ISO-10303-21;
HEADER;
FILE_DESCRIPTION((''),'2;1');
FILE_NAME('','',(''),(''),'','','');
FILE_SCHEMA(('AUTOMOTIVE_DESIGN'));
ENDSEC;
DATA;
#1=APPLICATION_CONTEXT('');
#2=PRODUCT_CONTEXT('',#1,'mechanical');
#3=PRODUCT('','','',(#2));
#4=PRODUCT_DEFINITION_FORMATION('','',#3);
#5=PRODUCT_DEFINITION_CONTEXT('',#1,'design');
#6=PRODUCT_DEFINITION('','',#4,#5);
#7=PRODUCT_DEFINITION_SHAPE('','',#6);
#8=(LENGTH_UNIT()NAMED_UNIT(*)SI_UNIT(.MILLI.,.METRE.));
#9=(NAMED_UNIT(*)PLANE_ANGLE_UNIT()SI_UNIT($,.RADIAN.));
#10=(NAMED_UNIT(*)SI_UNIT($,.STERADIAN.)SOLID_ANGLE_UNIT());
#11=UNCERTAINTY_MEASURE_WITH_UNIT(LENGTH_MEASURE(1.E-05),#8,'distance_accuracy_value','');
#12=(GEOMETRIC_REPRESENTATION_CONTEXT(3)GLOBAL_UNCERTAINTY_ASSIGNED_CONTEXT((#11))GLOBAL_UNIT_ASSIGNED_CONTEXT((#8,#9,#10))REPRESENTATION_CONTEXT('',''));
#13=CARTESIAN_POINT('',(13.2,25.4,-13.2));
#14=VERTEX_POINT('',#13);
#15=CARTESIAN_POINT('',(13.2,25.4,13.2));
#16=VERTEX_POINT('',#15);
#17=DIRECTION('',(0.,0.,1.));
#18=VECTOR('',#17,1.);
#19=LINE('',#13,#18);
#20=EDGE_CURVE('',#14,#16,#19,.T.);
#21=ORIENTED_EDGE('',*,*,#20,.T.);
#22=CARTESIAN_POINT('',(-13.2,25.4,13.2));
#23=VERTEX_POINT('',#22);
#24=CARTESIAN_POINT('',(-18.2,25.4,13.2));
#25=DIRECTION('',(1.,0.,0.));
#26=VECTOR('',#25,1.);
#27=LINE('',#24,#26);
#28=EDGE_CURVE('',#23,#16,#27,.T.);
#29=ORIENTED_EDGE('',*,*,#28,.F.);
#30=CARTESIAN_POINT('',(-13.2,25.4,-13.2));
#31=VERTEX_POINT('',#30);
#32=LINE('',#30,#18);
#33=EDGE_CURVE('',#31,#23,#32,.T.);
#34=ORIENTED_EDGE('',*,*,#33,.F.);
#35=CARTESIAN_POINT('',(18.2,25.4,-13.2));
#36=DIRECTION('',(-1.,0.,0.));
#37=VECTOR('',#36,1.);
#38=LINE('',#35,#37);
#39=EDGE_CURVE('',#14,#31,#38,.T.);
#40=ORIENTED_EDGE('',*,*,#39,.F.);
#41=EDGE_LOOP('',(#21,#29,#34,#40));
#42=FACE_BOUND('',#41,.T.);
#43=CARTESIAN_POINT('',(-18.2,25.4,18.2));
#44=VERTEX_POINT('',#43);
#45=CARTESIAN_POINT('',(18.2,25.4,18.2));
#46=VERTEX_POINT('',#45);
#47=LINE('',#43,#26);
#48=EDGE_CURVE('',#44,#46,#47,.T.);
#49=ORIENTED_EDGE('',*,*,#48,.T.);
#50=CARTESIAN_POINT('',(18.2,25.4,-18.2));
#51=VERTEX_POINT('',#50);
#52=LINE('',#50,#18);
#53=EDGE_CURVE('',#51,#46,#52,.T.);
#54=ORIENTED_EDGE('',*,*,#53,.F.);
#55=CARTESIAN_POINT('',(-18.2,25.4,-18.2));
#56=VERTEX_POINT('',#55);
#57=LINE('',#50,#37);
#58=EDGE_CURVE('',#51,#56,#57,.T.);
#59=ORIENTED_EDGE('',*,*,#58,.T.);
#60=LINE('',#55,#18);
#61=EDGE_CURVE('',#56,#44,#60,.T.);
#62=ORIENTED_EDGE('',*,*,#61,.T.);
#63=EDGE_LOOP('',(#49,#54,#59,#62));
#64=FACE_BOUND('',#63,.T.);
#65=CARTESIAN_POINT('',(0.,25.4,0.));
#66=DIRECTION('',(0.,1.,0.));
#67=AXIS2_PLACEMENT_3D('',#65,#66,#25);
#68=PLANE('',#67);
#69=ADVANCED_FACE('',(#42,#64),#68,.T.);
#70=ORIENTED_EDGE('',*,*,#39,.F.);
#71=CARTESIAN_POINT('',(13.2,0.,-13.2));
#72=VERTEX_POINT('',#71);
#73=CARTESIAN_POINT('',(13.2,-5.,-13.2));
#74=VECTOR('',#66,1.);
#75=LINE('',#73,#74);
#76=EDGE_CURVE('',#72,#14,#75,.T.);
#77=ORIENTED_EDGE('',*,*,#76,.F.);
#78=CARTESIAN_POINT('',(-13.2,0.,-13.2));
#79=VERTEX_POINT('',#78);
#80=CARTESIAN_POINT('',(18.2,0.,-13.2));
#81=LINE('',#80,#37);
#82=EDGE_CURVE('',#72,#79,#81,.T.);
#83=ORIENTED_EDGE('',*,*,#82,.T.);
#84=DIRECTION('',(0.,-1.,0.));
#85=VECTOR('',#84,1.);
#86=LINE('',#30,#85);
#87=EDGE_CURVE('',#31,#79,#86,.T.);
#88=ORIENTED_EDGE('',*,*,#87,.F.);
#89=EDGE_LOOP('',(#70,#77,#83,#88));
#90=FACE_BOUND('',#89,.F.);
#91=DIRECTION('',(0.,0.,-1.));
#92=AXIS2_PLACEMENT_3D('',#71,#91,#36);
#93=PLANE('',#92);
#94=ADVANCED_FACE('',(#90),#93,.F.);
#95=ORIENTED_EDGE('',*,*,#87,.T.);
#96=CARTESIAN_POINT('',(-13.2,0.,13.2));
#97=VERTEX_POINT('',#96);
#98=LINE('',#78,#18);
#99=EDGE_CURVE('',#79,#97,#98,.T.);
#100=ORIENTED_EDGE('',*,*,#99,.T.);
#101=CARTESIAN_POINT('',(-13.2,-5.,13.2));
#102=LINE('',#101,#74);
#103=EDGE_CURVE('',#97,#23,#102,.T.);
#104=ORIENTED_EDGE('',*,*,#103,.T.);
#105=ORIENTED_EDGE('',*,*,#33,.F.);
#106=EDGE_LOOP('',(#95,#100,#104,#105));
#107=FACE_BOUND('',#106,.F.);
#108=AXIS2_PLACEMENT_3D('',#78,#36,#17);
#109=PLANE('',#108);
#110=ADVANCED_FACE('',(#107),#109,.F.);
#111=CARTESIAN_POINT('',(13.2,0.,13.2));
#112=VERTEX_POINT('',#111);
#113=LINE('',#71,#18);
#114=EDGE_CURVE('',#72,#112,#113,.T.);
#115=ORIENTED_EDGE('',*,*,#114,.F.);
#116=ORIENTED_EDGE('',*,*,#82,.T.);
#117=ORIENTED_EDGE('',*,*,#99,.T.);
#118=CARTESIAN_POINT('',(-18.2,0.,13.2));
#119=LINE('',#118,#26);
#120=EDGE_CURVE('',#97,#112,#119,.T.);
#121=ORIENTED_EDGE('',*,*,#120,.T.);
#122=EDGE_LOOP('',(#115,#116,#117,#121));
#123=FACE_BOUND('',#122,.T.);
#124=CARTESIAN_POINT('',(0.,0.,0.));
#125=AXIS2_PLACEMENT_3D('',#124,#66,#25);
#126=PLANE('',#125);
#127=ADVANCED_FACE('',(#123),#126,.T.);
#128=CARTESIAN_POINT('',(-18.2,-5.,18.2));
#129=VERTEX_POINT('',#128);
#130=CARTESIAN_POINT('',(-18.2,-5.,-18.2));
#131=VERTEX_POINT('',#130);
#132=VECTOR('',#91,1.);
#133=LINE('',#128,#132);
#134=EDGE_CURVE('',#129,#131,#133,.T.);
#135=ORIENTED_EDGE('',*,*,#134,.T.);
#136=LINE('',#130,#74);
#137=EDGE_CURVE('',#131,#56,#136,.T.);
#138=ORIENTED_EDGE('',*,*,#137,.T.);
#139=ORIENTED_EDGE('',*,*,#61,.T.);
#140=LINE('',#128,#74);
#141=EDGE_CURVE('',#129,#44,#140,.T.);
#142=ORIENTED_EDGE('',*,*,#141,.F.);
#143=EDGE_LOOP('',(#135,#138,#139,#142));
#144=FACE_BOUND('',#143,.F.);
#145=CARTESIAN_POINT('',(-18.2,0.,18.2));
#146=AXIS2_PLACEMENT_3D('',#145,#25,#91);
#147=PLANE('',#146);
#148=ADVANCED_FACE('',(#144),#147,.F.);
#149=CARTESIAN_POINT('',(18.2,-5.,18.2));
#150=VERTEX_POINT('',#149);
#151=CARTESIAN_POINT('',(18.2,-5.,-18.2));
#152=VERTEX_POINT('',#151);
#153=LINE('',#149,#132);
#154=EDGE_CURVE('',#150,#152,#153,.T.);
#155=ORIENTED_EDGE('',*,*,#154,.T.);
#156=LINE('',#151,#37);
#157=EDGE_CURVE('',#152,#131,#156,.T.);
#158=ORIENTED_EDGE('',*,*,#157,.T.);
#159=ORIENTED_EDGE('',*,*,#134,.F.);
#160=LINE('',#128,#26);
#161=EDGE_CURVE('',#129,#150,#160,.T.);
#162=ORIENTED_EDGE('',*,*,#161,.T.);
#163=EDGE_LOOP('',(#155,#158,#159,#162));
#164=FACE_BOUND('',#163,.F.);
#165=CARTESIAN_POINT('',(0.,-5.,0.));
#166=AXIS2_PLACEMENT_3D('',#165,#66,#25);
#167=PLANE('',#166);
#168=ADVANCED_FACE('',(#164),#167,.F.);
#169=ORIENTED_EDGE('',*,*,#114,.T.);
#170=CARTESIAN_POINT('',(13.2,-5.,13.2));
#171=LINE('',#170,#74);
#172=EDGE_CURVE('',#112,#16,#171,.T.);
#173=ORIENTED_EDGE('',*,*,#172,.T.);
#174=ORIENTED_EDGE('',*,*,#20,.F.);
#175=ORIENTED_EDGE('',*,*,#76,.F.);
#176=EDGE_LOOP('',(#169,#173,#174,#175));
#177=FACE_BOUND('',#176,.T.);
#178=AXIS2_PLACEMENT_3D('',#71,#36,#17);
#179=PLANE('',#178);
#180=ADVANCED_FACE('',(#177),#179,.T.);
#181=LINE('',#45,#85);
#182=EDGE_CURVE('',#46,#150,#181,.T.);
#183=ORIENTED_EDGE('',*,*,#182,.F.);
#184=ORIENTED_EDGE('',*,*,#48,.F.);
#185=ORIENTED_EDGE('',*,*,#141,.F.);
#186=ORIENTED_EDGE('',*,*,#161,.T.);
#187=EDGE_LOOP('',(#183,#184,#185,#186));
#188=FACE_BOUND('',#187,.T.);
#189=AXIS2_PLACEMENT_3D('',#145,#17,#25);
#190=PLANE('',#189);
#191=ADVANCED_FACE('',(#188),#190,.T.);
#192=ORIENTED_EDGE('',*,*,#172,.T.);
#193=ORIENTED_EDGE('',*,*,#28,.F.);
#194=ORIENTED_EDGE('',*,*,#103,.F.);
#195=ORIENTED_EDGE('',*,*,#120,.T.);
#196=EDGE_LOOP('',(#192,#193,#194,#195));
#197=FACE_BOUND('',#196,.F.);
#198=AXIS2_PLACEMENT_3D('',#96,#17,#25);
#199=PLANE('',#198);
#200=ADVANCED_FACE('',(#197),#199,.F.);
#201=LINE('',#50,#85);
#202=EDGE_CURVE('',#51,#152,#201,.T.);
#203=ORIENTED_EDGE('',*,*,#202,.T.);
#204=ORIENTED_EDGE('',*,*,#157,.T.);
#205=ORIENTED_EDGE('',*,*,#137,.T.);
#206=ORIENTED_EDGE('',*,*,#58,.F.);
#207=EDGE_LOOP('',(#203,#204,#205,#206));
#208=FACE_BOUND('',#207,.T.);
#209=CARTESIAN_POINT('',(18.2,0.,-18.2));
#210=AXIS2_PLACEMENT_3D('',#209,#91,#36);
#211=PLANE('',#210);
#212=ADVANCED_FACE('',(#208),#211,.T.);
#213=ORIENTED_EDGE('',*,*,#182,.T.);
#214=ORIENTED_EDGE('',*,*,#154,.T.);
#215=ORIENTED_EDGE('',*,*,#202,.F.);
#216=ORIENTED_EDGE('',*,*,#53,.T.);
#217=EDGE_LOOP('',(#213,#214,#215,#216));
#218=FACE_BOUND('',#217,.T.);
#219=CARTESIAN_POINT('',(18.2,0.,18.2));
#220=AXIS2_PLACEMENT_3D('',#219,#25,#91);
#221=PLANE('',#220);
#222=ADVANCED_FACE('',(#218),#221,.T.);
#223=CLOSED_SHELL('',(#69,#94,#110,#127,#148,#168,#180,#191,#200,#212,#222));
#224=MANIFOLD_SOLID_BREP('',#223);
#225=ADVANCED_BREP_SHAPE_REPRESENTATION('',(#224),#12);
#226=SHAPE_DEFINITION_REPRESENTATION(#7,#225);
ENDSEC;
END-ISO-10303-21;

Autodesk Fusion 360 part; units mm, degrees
sketch "Sketch1" plane through (0, 0, 0) normal (0, 1, 0) x (1, 0, 0)
  line L0 (18.2, 18.2) -> (-18.2, 18.2)
  line L1 (-18.2, 18.2) -> (-18.2, -18.2)
  line L2 (-18.2, -18.2) -> (18.2, -18.2)
  line L3 (18.2, -18.2) -> (18.2, 18.2)
  line L4 (18.2, 18.2) -> (-18.2, -18.2) construction
  line L5 (-18.2, 18.2) -> (18.2, -18.2) construction
  line L6 (-18.2, 18.2) -> (18.2, 18.2)
  line L7 (18.2, 18.2) -> (18.2, 13.2)
  line L8 (18.2, 13.2) -> (-18.2, 13.2)
  line L9 (-18.2, 13.2) -> (-18.2, 18.2)
  line L10 (18.2, -18.2) -> (-18.2, -18.2)
  line L11 (-18.2, -18.2) -> (-18.2, -13.2)
  line L12 (-18.2, -13.2) -> (18.2, -13.2)
  line L13 (18.2, -13.2) -> (18.2, -18.2)
  line L14 (-18.2, 13.2) -> (-13.2, 13.2)
  line L15 (-13.2, 13.2) -> (-13.2, -13.2)
  line L16 (-13.2, -13.2) -> (-18.2, -13.2)
  line L17 (-18.2, -13.2) -> (-18.2, 13.2)
  line L18 (18.2, 13.2) -> (13.2, 13.2)
  line L19 (13.2, 13.2) -> (13.2, -13.2)
  line L20 (13.2, -13.2) -> (18.2, -13.2)
  line L21 (18.2, -13.2) -> (18.2, 13.2)
  dimension "d4" = 36.4
  dimension "d5" = 36.4
  dimension "d6" = 5
  dimension "d7" = 5
  dimension "d8" = 5
  dimension "d9" = 5
extrude "Extrude1" add sketch "Sketch1" along normal blind 25.4 contours L0 L1 L3 L6 L7 L8 L9 L14 L18 | L3 L8 L12 L18 L19 L20 L21 | L1 L8 L12 L14 L15 L16 L17 | L1 L2 L3 L10 L11 L12 L13 L16 L20
extrude "Extrude2" add 1 faces at (-16.5333, 0, 4.4) along direction (0, -1, 0) blind 5
extrude "Extrude3" add sketch "Sketch1" against normal blind 5 contours L8 L12 L15 L19
equation "ONEINCH = 25.4 mm"
equation "TOLERANCE = 0.5 mm"
equation "WALL_THICKNESS = 5 mm"
equation "d4 = ONEINCH + ( 2 * TOLERANCE ) + ( WALL_THICKNESS * 2 )"
equation "d5 = ONEINCH + ( 2 * TOLERANCE ) + ( WALL_THICKNESS * 2 )"
equation "d6 = WALL_THICKNESS"
equation "d7 = WALL_THICKNESS"
equation "d8 = WALL_THICKNESS"
equation "d9 = WALL_THICKNESS"
equation "d10 = ONEINCH"
equation "d12 = WALL_THICKNESS"
